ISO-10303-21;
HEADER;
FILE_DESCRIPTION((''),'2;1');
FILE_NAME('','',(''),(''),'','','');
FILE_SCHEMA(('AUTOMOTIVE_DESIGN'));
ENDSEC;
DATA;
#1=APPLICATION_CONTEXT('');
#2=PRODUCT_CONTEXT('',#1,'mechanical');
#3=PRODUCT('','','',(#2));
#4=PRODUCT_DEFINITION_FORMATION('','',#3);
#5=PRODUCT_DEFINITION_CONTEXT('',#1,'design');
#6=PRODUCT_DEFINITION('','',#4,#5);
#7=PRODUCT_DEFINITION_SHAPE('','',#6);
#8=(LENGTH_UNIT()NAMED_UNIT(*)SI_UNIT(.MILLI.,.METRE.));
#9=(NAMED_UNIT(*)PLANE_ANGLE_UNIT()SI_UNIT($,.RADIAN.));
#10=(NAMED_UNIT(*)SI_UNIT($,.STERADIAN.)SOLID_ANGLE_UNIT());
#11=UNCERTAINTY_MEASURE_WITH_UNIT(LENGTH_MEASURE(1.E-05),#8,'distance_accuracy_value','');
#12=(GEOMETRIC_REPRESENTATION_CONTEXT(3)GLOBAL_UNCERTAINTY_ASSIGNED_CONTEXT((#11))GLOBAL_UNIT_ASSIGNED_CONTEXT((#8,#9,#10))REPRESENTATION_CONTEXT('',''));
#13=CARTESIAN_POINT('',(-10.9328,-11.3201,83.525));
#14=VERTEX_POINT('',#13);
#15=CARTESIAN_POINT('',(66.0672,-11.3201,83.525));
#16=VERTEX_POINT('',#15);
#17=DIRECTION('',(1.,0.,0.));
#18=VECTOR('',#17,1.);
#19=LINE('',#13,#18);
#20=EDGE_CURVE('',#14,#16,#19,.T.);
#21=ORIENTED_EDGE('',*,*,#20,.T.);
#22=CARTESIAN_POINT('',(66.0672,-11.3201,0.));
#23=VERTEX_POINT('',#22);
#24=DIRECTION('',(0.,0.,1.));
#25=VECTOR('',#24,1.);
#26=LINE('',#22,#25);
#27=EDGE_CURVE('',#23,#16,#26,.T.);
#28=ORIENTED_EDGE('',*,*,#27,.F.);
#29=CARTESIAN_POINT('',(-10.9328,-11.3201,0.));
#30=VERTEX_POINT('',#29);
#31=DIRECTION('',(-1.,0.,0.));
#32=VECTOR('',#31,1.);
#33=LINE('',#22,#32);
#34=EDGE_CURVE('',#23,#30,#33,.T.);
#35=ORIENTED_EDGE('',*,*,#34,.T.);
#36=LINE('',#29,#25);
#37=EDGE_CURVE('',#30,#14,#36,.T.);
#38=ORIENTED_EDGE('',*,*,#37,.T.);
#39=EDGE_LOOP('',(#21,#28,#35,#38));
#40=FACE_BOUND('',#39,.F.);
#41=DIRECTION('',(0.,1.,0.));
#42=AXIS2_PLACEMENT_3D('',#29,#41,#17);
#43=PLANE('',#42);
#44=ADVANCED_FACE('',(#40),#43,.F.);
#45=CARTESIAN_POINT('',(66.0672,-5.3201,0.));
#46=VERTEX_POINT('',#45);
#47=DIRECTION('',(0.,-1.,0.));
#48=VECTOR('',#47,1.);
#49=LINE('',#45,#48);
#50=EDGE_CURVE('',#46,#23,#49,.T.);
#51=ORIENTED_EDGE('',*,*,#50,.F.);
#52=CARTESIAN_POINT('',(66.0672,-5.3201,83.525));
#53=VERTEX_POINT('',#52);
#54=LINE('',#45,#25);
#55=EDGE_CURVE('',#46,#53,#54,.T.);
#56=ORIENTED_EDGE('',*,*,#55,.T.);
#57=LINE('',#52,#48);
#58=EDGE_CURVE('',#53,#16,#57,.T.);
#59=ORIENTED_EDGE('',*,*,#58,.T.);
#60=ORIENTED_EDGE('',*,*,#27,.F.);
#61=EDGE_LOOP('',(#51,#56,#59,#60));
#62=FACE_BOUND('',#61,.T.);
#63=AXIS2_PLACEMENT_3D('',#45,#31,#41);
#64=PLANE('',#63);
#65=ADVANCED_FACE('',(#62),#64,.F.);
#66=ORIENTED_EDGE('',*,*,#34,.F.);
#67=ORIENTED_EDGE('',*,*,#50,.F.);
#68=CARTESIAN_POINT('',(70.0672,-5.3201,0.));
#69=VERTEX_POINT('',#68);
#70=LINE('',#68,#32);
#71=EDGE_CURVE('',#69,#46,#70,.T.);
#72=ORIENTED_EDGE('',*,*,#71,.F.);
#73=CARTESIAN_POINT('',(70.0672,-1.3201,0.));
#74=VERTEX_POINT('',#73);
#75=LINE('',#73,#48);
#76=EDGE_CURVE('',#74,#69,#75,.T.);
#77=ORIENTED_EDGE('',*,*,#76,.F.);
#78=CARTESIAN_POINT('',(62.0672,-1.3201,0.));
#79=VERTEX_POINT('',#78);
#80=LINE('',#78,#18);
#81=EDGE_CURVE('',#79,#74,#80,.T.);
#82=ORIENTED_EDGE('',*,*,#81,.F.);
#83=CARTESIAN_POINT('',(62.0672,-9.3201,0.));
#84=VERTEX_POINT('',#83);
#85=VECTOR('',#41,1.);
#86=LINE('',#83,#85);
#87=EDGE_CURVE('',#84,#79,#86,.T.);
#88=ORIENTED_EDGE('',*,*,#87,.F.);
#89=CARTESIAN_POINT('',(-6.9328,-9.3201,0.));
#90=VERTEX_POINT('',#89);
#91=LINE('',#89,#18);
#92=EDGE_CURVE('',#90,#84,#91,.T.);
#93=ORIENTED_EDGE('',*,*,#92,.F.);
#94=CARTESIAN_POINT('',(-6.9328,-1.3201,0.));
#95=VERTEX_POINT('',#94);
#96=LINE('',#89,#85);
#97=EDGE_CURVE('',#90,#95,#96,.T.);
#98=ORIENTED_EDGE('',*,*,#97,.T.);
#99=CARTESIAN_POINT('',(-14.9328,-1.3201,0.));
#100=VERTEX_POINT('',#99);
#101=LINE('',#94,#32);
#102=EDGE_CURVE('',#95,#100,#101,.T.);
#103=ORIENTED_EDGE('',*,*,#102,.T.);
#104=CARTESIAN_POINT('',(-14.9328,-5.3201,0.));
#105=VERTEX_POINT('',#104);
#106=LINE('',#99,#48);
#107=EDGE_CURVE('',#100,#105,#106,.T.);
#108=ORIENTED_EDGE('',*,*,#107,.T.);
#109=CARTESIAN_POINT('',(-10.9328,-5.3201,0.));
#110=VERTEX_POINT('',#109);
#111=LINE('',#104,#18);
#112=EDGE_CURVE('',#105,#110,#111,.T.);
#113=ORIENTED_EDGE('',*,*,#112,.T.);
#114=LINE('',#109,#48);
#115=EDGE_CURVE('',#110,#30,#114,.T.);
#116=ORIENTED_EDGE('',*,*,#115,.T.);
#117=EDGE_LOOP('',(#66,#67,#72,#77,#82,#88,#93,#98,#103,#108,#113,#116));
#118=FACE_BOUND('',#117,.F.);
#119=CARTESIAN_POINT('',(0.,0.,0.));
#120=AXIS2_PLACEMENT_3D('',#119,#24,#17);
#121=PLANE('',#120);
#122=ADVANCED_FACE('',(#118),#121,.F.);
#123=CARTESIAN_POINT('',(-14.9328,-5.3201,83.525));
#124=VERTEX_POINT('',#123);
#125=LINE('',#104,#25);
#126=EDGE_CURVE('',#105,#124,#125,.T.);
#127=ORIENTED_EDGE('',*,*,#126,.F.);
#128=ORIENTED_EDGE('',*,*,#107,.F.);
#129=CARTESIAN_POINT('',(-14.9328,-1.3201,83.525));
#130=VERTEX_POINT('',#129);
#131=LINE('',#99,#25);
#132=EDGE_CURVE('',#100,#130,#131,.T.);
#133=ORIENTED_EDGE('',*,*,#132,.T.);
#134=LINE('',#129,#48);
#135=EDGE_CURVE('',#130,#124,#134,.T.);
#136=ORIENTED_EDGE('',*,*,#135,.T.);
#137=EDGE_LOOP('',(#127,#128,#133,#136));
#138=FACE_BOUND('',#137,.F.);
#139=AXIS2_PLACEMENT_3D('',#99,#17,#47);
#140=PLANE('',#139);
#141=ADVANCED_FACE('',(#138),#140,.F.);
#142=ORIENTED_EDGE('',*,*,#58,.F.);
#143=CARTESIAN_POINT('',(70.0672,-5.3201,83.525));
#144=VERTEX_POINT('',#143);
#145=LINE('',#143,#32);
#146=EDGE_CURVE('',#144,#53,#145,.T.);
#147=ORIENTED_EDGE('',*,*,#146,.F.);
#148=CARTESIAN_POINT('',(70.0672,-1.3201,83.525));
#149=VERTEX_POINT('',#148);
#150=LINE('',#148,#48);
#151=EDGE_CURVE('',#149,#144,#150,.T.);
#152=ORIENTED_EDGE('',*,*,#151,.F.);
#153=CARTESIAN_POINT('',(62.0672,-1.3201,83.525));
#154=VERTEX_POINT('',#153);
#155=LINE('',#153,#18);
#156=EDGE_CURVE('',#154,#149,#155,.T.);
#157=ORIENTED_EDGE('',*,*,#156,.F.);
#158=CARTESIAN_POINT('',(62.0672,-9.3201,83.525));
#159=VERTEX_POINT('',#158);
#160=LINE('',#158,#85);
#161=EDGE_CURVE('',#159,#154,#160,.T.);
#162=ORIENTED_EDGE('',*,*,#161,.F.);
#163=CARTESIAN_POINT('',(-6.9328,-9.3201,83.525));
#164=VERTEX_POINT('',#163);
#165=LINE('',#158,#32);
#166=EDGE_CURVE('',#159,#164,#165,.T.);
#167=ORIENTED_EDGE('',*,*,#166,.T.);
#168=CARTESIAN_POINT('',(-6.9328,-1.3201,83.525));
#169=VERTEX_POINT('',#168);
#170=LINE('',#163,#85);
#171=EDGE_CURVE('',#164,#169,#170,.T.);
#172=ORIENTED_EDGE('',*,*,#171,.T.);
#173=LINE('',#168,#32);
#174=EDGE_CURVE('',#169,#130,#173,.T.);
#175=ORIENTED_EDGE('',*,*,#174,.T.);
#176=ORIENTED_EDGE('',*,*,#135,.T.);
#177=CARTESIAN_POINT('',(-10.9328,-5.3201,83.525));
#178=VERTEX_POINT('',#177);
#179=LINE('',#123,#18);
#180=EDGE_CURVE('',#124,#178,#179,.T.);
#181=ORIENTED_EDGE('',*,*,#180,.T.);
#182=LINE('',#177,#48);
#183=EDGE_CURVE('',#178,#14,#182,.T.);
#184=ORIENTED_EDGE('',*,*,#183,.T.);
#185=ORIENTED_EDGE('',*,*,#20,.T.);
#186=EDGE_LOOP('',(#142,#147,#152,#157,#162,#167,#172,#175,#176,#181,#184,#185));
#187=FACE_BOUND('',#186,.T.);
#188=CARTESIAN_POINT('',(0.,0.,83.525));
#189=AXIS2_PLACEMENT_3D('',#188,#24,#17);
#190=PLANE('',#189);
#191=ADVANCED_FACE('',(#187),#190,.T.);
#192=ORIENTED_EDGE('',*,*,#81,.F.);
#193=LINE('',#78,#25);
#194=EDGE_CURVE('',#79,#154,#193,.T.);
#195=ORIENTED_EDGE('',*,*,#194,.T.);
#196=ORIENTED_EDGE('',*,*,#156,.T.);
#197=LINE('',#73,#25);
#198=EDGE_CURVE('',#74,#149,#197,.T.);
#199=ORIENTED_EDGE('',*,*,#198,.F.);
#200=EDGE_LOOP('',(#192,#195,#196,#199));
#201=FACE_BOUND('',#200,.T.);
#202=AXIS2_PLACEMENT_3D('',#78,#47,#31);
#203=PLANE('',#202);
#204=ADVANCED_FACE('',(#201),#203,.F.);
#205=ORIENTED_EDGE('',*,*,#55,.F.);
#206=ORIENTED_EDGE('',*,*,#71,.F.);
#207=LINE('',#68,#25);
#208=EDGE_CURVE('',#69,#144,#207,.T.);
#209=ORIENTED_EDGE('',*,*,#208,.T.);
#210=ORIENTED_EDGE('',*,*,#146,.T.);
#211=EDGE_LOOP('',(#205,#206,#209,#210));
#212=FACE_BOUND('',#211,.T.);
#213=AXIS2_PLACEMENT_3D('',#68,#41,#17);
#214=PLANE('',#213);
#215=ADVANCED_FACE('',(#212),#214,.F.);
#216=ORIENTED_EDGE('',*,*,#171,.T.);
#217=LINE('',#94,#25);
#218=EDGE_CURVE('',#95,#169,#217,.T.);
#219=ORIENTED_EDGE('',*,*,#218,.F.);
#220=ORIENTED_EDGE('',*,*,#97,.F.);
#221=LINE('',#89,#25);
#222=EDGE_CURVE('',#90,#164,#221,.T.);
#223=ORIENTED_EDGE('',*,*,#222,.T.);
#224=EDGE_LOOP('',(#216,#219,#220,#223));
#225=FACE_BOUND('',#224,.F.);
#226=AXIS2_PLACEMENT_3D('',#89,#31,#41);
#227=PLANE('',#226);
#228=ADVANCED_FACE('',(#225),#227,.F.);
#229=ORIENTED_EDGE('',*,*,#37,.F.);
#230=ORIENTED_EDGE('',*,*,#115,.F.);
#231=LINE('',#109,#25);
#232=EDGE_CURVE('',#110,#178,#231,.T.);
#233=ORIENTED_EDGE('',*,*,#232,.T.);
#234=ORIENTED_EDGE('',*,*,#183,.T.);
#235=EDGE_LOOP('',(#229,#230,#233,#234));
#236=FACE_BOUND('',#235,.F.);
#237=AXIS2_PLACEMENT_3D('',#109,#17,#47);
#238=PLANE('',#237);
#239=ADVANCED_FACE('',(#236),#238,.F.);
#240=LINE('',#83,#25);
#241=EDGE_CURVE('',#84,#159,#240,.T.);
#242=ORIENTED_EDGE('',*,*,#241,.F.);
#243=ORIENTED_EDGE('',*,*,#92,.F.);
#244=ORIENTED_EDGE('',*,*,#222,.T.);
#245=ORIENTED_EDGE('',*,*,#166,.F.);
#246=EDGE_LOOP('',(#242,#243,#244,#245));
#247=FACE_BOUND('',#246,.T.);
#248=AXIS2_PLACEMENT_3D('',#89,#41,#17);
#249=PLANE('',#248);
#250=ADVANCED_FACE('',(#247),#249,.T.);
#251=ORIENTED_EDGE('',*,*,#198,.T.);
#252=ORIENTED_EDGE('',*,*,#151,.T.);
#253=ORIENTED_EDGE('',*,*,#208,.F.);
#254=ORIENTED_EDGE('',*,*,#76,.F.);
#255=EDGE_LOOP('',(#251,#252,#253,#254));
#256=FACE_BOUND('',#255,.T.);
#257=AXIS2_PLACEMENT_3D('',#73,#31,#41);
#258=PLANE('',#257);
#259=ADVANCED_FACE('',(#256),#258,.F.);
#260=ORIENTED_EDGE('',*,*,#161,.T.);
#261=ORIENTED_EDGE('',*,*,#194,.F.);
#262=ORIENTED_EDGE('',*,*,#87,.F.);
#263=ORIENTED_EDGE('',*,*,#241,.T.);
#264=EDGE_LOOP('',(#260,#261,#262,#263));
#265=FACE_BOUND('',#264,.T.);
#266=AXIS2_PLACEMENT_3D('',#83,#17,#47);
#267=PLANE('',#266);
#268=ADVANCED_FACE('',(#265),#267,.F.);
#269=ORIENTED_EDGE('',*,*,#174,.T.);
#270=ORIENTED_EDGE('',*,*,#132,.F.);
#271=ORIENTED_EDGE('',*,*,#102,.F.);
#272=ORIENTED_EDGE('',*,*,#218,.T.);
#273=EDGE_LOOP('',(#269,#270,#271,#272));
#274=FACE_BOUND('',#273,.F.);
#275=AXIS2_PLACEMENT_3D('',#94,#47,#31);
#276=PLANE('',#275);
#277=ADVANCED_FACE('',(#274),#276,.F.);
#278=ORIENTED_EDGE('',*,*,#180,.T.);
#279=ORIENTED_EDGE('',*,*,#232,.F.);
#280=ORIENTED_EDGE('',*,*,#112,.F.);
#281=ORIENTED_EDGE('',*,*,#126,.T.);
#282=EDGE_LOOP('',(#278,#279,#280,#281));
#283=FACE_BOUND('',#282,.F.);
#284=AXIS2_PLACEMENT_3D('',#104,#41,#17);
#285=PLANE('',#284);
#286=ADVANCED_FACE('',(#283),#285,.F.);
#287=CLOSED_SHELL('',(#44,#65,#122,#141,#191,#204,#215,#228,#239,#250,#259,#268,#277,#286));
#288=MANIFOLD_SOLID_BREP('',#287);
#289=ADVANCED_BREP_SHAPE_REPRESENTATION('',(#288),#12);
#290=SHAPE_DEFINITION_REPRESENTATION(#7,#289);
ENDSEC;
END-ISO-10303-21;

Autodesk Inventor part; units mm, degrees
ref_plane "YZ Plane" through (0, 0, 0) normal (1, 0, 0) x (0, 1, 0)
ref_plane "XZ Plane" through (0, 0, 0) normal (0, 1, 0) x (-1, 0, 0)
ref_plane "XY Plane" through (0, 0, 0) normal (0, 0, 1) x (1, 0, 0)
sketch "Sketch2" plane through (0, 0, 0) normal (0, 0, 1) x (1, 0, 0)
  line L0 (-14.9328, -5.3201) -> (-10.9328, -5.3201)
  line L1 (-10.9328, -5.3201) -> (-10.9328, -11.3201)
  line L2 (20.0672, -9.3201) -> (20.0672, -9.3157)
  line L3 (-6.9328, -9.3201) -> (-6.9328, -1.3201)
  line L4 (-6.9328, -1.3201) -> (-14.9328, -1.3201)
  line L5 (-14.9328, -1.3201) -> (-14.9328, -5.3201)
  line L6 (-14.9328, -5.3201) -> (-10.9328, -5.3201)
  line L7 (-14.9328, -1.3201) -> (-6.9328, -1.3201)
  line L8 (-6.9328, -1.3201) -> (-6.9328, -9.3201)
  line L9 (16.0672, -9.3157) -> (16.0672, -9.3201)
  line L10 (-10.9328, -11.3201) -> (-10.9328, -5.3201)
  line L11 (-10.9328, -5.3201) -> (-14.9328, -5.3201)
  line L12 (-14.9328, -1.3201) -> (-14.9328, -5.3201)
  line L13 (-6.9328, -9.3201) -> (27.5672, -9.3201)
  line L14 (27.5672, -9.3201) -> (27.5672, -11.3201)
  line L15 (-10.9328, -11.3201) -> (27.5672, -11.3201)
  point P0 (0, 0)
  point P1 (-14.9328, 16.2146)
  point P2 (20.0672, -10.3179)
  point P3 (-12.9328, -5.3201)
  point P4 (-14.9328, -5.3201)
  dimension "d2" = 8
  dimension "d3" = 90
  dimension "d4" = 4
  dimension "d5" = 90
  dimension "d6" = 4
  dimension "d7" = 90
  dimension "d19" = 34.5
  dimension "d20" = 2
extrude "Extrusion3" add sketch "Sketch2" along normal blind 83.525
mirror "Mirror3" about plane through (27.5672, -11.3201, 0) normal (1, 0, 0) of "Extrusion3"
properties part number "Avionics Cradle (12-13)"
